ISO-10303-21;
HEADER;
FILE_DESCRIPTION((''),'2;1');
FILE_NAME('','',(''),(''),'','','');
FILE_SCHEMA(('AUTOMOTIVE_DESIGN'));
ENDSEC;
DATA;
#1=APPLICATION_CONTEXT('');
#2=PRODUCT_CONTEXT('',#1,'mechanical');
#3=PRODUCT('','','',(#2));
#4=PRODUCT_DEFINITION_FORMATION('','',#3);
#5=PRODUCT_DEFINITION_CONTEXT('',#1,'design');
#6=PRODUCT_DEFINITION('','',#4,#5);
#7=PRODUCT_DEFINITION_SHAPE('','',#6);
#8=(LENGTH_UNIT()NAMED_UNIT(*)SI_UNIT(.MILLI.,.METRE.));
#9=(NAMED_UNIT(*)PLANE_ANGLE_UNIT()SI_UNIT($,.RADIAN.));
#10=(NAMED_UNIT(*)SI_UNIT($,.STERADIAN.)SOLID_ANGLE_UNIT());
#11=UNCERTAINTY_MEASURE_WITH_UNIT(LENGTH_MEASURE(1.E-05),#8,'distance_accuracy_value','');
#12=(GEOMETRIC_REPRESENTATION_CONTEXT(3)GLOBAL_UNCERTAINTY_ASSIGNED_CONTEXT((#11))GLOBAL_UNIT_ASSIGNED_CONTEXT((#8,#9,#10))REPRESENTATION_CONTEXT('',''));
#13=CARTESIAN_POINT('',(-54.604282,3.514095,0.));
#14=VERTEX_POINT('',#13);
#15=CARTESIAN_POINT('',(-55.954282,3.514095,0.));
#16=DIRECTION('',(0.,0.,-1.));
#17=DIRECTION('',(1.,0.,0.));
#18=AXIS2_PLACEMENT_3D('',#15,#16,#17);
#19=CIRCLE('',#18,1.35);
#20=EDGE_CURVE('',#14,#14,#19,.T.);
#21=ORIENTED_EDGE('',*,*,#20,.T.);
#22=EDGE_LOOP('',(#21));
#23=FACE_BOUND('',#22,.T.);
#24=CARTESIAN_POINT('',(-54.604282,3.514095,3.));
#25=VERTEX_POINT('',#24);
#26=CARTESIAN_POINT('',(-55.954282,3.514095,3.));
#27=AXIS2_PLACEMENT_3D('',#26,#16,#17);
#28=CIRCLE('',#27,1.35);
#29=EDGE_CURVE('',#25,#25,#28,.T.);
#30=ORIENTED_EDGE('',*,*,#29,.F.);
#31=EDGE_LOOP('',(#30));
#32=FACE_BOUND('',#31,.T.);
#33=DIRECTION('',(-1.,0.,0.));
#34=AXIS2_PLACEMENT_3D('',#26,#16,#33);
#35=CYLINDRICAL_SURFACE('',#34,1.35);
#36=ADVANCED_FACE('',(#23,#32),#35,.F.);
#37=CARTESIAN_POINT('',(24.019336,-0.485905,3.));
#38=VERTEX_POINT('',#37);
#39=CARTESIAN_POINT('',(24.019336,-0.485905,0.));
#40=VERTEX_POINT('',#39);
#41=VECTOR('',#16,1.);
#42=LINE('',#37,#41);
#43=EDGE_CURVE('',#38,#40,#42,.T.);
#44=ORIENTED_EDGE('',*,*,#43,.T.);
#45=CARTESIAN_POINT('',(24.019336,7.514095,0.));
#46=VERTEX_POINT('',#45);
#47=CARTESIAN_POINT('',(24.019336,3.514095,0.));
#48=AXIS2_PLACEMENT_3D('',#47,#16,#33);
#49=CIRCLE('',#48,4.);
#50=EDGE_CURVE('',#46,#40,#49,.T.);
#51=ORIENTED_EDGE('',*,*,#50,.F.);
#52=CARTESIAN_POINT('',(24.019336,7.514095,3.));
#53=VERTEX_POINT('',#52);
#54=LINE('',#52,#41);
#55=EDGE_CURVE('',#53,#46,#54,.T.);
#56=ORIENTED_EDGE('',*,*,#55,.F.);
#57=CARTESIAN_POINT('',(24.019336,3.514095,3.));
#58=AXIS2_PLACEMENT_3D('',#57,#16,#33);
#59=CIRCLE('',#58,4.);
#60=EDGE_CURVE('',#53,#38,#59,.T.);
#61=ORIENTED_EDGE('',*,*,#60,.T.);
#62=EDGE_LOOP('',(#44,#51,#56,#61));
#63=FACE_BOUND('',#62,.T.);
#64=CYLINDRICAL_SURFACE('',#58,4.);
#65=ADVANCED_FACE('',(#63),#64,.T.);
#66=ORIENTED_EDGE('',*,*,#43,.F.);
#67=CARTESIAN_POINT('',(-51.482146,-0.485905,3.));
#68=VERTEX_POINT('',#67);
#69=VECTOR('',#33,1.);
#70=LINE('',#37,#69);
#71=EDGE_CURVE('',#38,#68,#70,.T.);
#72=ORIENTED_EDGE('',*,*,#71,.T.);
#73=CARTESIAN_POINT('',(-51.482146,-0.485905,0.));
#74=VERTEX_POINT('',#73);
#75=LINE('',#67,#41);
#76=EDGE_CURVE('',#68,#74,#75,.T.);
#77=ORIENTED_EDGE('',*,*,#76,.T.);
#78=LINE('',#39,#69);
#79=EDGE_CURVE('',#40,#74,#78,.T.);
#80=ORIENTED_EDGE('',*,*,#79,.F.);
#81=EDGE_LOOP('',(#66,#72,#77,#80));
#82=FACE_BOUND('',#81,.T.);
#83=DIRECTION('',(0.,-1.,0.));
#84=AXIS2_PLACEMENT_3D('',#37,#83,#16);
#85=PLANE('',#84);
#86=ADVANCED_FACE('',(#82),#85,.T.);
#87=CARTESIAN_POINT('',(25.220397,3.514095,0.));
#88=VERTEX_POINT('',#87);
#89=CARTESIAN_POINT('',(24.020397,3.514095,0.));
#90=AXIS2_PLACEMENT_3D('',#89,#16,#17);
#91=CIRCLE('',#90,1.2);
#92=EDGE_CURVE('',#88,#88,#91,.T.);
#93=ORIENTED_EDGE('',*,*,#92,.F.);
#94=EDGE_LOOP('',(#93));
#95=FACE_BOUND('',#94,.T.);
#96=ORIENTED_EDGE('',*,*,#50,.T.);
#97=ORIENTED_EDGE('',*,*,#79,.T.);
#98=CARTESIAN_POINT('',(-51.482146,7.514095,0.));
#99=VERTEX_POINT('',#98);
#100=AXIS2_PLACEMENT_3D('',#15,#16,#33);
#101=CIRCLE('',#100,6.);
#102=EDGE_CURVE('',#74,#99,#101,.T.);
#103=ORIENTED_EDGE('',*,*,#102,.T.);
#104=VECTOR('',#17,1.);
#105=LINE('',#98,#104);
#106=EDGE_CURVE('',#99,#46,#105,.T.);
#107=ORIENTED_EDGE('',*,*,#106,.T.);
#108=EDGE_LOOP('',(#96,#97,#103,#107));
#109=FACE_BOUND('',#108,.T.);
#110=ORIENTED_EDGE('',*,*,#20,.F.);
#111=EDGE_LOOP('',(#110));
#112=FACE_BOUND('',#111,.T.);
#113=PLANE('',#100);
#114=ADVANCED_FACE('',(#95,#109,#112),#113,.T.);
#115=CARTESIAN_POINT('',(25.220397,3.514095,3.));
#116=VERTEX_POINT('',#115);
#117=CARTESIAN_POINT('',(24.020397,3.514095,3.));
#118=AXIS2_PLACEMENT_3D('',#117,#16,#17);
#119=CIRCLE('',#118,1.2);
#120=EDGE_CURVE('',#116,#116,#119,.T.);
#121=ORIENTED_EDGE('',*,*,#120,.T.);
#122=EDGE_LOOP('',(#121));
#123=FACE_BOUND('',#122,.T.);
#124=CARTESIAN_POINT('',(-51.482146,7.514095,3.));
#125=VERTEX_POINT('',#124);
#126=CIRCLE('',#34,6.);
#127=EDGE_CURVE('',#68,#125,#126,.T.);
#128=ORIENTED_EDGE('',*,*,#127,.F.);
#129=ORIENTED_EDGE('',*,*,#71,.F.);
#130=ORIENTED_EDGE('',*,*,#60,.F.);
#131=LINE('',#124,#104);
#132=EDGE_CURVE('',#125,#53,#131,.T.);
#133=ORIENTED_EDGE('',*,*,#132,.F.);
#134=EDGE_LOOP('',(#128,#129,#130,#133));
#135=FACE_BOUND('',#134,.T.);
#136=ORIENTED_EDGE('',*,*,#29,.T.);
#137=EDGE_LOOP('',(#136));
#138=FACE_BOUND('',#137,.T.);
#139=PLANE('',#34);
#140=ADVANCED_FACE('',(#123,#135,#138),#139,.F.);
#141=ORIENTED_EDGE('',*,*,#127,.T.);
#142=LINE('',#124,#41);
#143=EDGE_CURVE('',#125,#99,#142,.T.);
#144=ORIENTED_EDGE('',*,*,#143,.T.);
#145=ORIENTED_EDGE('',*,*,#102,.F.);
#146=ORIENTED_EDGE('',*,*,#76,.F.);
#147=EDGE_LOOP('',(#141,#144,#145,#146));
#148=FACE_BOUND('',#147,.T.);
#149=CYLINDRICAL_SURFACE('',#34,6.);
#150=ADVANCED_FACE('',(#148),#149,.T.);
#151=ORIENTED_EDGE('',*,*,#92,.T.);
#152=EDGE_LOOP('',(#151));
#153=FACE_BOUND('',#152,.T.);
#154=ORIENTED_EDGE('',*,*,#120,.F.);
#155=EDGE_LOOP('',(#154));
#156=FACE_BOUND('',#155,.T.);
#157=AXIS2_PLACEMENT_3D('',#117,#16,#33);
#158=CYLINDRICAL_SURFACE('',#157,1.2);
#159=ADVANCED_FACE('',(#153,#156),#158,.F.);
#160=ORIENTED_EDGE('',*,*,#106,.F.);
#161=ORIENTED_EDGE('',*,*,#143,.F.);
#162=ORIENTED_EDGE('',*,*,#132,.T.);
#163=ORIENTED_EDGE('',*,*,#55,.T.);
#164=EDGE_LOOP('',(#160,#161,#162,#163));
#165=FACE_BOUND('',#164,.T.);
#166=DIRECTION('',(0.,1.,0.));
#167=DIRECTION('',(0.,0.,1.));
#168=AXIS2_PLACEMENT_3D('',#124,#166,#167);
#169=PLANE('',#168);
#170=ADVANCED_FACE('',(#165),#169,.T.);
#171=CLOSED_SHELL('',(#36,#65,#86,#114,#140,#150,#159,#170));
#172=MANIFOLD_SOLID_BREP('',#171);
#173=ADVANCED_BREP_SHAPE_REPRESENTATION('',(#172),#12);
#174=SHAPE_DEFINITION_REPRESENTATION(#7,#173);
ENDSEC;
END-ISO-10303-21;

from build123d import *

# Parameters (mm, degrees)
SKETCH_1_R      = 1.2
SKETCH_1_R_2    = 1.35
EXTRUDE_1_DEPTH = 3


with BuildPart() as part:
    # 草图1 → 凸台-拉伸1 (new body)
    with BuildSketch(Plane(origin=(0, 0, 0), x_dir=(-1, 0, 0), z_dir=(0, 0, -1))):
        with BuildLine():
            Line((51.482145651, 7.514094575), (-24.019336186, 7.514094575))
            ThreePointArc((-24.019336186, 7.514094575), (-28.019336186, 3.514094575), (-24.019336186, -0.485905425))
            Line((-24.019336186, -0.485905425), (51.482145651, -0.485905425))
            ThreePointArc((51.482145651, -0.485905425), (61.954281606, 3.514094575), (51.482145651, 7.514094575))
        make_face()
        with Locations(Location((-24.020396654, 3.514094575, 0), (0, 0, 180))):
            Circle(SKETCH_1_R, mode=Mode.SUBTRACT)
        with Locations(Location((55.954281606, 3.514094575, 0), (0, 0, 180))):
            Circle(SKETCH_1_R_2, mode=Mode.SUBTRACT)
    extrude(amount=-EXTRUDE_1_DEPTH)


solid = part.part
